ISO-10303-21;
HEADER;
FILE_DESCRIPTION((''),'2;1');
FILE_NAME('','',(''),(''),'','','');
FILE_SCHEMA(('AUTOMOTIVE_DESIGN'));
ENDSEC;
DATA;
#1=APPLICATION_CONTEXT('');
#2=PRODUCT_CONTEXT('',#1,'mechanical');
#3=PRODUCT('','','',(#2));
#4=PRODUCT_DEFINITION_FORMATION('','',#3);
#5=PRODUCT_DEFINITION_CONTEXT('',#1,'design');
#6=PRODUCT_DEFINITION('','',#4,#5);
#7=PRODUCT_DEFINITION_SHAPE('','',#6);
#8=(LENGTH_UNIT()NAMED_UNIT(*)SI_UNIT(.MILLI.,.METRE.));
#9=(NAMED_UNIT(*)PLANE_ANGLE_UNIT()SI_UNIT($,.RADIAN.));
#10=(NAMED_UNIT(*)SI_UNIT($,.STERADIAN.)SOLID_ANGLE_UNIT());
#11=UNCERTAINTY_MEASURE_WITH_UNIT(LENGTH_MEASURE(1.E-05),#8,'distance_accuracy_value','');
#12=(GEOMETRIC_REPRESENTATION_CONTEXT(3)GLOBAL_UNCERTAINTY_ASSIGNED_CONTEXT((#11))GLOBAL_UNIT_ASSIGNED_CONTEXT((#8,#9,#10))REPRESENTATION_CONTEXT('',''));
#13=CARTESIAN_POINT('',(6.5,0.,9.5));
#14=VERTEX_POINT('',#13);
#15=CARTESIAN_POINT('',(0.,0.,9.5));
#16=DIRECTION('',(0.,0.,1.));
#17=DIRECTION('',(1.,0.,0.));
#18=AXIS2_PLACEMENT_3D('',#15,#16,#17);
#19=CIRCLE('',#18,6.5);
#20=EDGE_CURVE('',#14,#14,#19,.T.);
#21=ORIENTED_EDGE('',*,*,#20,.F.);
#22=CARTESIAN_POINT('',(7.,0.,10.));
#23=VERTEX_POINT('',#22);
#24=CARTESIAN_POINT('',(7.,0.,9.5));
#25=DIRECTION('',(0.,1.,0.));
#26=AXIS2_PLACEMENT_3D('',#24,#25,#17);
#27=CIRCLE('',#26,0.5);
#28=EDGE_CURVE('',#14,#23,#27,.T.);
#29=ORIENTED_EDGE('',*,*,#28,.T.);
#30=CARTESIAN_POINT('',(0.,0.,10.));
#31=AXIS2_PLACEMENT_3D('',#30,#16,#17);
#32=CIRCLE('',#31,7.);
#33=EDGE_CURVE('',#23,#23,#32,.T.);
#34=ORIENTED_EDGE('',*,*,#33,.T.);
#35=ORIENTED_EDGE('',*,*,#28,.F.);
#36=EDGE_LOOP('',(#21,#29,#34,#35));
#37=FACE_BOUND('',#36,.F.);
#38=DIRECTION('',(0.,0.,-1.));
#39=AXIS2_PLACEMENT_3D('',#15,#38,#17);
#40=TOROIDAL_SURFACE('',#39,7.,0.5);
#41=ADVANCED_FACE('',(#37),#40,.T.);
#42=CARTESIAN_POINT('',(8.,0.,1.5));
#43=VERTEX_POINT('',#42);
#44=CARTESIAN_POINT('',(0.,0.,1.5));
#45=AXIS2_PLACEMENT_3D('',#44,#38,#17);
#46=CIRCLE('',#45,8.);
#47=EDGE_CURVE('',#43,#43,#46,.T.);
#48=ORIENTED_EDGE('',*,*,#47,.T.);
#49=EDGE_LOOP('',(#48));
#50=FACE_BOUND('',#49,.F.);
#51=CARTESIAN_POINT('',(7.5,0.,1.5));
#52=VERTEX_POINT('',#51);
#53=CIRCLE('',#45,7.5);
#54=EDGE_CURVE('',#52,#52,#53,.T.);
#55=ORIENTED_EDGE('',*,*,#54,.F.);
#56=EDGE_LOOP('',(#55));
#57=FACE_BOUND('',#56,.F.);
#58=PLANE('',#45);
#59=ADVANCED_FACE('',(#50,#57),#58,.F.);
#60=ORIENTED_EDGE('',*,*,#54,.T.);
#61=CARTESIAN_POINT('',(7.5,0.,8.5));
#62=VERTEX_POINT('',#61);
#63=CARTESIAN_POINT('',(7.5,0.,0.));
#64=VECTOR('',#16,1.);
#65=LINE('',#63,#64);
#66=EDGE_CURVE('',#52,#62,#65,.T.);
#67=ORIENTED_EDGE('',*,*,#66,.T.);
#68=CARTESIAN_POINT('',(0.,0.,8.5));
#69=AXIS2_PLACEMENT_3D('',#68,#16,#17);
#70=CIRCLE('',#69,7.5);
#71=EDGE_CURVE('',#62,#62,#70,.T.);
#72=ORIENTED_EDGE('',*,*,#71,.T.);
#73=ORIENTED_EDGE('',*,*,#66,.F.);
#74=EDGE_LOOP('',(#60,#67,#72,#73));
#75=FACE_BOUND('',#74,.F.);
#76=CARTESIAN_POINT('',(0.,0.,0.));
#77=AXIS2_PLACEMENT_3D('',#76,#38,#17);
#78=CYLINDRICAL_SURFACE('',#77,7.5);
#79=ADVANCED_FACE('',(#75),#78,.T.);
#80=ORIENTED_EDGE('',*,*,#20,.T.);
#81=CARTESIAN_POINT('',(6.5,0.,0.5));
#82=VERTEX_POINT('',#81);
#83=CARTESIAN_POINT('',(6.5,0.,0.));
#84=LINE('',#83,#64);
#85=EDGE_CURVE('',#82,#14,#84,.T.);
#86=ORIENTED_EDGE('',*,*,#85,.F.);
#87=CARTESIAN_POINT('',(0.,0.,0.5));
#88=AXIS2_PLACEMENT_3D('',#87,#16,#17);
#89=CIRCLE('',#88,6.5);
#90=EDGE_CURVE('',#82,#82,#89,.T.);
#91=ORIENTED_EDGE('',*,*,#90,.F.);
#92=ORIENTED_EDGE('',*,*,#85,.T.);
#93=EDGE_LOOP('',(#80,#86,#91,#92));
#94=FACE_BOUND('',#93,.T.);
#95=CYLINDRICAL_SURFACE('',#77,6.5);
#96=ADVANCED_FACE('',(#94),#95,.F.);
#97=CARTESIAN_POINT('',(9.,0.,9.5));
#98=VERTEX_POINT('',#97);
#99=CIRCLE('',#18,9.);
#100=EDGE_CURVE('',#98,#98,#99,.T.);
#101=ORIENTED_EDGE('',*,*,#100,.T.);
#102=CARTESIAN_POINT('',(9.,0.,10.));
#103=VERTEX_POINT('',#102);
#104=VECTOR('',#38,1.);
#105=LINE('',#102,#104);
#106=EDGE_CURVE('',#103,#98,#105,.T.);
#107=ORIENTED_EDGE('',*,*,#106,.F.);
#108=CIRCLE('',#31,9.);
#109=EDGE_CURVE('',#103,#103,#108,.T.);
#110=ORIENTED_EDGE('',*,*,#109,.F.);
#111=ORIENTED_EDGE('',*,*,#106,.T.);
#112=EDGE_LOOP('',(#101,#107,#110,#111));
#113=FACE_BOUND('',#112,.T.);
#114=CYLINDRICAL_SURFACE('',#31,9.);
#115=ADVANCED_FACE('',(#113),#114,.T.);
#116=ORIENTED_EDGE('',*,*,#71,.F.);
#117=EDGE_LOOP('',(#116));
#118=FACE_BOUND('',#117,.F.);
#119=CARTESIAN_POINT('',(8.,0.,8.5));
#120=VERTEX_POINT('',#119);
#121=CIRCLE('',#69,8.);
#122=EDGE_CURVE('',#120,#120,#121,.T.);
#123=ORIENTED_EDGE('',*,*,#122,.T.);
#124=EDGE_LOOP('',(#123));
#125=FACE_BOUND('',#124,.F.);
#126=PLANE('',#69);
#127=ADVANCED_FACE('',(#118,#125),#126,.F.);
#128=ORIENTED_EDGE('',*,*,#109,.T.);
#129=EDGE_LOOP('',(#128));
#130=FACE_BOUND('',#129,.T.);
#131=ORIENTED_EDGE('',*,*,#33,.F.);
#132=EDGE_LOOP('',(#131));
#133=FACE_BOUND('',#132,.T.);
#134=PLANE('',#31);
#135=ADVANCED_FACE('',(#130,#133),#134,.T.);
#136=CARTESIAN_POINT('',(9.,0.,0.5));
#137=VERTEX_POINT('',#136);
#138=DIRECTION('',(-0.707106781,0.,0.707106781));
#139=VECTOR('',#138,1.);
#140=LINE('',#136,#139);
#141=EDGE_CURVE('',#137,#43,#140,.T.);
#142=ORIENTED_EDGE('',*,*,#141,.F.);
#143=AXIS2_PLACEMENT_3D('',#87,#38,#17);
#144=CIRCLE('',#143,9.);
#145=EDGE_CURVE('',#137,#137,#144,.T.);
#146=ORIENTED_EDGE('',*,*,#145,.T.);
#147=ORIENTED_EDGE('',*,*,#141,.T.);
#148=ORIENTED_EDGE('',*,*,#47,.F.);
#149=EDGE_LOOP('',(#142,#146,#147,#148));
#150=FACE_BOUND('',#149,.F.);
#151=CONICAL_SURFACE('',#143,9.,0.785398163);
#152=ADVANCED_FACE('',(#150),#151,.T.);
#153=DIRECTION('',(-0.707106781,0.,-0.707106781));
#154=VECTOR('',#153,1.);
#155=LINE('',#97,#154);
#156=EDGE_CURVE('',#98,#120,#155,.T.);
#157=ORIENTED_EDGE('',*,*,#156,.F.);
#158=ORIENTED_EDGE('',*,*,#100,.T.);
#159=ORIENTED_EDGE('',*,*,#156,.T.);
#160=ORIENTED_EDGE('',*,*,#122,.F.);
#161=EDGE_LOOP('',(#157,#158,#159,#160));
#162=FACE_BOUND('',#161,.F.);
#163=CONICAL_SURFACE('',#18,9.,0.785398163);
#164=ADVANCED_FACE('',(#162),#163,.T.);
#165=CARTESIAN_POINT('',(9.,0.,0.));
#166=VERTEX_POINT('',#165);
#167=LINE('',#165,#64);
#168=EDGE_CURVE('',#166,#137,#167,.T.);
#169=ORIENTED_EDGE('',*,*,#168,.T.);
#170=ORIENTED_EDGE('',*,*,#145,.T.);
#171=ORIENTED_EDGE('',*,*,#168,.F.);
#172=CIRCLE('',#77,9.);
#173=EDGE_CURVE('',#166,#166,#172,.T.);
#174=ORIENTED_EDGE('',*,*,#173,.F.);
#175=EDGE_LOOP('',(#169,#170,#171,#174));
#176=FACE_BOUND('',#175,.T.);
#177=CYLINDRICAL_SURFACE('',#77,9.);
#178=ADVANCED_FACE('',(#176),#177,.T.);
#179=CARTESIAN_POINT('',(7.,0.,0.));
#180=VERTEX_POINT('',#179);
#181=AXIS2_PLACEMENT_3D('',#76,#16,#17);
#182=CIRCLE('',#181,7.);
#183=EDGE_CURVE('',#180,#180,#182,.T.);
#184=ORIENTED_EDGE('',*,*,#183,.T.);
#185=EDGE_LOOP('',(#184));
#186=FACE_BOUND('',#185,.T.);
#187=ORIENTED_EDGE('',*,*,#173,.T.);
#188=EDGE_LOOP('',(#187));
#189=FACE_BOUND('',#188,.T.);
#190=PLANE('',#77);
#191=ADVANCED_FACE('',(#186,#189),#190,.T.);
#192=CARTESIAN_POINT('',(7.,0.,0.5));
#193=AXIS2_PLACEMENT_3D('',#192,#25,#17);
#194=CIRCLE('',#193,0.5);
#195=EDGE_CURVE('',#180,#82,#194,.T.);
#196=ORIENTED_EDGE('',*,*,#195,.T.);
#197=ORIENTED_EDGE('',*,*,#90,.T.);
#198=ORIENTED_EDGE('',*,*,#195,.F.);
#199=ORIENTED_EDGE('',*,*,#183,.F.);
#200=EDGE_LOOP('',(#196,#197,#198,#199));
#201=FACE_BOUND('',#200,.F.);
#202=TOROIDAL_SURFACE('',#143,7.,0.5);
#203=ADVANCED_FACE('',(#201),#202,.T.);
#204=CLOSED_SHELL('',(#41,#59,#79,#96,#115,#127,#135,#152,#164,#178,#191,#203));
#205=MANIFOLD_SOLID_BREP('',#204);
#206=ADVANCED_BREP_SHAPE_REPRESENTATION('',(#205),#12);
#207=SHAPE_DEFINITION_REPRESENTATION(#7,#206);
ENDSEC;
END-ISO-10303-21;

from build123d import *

# Parameters (mm, degrees)
F0_R      = 7.5
F0_R_2    = 6.5
F1_DEPTH  = 10
F2_R      = 9
F2_R_2    = 7.5
F3_DEPTH  = 1.5
F4_SIZE   = 1
F5_R      = 9
F5_R_2    = 7.5
F6_DEPTH  = 1.5
F7_SIZE   = 1
F6_FACE_R = 6.5
F8_DEPTH  = 25
F9_R      = 0.5
F10_R     = 0.5


with BuildPart() as f1:
    # F0 (on Top) → F1 (new body)
    with BuildSketch(Plane.XY):
        Circle(F0_R)
        Circle(F0_R_2, mode=Mode.SUBTRACT)
    extrude(amount=F1_DEPTH)

    # F2 (on face) → F3 (join)
    with BuildSketch(Plane.XY.offset(10)):
        Circle(F2_R)
        Circle(F2_R_2, mode=Mode.SUBTRACT)
    extrude(amount=-F3_DEPTH)

    # F4
    f4_edges = [f1.edges().sort_by_distance(p)[0] for p in [
        (-9, 0, 8.5),
    ]]
    chamfer(f4_edges, length=F4_SIZE)

    # F5 (on face) → F6 (join)
    with BuildSketch(Plane(origin=(0, 0, 0), x_dir=(1, 0, 0), z_dir=(0, 0, -1))):
        Circle(F5_R)
        Circle(F5_R)
        Circle(F5_R_2, mode=Mode.SUBTRACT)
    extrude(amount=-F6_DEPTH)

    # F7
    f7_edges = [f1.edges().sort_by_distance(p)[0] for p in [
        (-9, 0, 1.5),
    ]]
    chamfer(f7_edges, length=F7_SIZE)

    # F6_face (on face) → F8 (cut)
    with BuildSketch(Plane.XY.offset(1.5)):
        Circle(F6_FACE_R)
    extrude(amount=-F8_DEPTH, mode=Mode.SUBTRACT)

    # F9
    f9_edges = [f1.edges().sort_by_distance(p)[0] for p in [
        (-6.5, 0, 0),
    ]]
    fillet(f9_edges, radius=F9_R)

    # F10
    f10_edges = [f1.edges().sort_by_distance(p)[0] for p in [
        (-6.5, 0, 10),
    ]]
    fillet(f10_edges, radius=F10_R)


solid = f1.part
